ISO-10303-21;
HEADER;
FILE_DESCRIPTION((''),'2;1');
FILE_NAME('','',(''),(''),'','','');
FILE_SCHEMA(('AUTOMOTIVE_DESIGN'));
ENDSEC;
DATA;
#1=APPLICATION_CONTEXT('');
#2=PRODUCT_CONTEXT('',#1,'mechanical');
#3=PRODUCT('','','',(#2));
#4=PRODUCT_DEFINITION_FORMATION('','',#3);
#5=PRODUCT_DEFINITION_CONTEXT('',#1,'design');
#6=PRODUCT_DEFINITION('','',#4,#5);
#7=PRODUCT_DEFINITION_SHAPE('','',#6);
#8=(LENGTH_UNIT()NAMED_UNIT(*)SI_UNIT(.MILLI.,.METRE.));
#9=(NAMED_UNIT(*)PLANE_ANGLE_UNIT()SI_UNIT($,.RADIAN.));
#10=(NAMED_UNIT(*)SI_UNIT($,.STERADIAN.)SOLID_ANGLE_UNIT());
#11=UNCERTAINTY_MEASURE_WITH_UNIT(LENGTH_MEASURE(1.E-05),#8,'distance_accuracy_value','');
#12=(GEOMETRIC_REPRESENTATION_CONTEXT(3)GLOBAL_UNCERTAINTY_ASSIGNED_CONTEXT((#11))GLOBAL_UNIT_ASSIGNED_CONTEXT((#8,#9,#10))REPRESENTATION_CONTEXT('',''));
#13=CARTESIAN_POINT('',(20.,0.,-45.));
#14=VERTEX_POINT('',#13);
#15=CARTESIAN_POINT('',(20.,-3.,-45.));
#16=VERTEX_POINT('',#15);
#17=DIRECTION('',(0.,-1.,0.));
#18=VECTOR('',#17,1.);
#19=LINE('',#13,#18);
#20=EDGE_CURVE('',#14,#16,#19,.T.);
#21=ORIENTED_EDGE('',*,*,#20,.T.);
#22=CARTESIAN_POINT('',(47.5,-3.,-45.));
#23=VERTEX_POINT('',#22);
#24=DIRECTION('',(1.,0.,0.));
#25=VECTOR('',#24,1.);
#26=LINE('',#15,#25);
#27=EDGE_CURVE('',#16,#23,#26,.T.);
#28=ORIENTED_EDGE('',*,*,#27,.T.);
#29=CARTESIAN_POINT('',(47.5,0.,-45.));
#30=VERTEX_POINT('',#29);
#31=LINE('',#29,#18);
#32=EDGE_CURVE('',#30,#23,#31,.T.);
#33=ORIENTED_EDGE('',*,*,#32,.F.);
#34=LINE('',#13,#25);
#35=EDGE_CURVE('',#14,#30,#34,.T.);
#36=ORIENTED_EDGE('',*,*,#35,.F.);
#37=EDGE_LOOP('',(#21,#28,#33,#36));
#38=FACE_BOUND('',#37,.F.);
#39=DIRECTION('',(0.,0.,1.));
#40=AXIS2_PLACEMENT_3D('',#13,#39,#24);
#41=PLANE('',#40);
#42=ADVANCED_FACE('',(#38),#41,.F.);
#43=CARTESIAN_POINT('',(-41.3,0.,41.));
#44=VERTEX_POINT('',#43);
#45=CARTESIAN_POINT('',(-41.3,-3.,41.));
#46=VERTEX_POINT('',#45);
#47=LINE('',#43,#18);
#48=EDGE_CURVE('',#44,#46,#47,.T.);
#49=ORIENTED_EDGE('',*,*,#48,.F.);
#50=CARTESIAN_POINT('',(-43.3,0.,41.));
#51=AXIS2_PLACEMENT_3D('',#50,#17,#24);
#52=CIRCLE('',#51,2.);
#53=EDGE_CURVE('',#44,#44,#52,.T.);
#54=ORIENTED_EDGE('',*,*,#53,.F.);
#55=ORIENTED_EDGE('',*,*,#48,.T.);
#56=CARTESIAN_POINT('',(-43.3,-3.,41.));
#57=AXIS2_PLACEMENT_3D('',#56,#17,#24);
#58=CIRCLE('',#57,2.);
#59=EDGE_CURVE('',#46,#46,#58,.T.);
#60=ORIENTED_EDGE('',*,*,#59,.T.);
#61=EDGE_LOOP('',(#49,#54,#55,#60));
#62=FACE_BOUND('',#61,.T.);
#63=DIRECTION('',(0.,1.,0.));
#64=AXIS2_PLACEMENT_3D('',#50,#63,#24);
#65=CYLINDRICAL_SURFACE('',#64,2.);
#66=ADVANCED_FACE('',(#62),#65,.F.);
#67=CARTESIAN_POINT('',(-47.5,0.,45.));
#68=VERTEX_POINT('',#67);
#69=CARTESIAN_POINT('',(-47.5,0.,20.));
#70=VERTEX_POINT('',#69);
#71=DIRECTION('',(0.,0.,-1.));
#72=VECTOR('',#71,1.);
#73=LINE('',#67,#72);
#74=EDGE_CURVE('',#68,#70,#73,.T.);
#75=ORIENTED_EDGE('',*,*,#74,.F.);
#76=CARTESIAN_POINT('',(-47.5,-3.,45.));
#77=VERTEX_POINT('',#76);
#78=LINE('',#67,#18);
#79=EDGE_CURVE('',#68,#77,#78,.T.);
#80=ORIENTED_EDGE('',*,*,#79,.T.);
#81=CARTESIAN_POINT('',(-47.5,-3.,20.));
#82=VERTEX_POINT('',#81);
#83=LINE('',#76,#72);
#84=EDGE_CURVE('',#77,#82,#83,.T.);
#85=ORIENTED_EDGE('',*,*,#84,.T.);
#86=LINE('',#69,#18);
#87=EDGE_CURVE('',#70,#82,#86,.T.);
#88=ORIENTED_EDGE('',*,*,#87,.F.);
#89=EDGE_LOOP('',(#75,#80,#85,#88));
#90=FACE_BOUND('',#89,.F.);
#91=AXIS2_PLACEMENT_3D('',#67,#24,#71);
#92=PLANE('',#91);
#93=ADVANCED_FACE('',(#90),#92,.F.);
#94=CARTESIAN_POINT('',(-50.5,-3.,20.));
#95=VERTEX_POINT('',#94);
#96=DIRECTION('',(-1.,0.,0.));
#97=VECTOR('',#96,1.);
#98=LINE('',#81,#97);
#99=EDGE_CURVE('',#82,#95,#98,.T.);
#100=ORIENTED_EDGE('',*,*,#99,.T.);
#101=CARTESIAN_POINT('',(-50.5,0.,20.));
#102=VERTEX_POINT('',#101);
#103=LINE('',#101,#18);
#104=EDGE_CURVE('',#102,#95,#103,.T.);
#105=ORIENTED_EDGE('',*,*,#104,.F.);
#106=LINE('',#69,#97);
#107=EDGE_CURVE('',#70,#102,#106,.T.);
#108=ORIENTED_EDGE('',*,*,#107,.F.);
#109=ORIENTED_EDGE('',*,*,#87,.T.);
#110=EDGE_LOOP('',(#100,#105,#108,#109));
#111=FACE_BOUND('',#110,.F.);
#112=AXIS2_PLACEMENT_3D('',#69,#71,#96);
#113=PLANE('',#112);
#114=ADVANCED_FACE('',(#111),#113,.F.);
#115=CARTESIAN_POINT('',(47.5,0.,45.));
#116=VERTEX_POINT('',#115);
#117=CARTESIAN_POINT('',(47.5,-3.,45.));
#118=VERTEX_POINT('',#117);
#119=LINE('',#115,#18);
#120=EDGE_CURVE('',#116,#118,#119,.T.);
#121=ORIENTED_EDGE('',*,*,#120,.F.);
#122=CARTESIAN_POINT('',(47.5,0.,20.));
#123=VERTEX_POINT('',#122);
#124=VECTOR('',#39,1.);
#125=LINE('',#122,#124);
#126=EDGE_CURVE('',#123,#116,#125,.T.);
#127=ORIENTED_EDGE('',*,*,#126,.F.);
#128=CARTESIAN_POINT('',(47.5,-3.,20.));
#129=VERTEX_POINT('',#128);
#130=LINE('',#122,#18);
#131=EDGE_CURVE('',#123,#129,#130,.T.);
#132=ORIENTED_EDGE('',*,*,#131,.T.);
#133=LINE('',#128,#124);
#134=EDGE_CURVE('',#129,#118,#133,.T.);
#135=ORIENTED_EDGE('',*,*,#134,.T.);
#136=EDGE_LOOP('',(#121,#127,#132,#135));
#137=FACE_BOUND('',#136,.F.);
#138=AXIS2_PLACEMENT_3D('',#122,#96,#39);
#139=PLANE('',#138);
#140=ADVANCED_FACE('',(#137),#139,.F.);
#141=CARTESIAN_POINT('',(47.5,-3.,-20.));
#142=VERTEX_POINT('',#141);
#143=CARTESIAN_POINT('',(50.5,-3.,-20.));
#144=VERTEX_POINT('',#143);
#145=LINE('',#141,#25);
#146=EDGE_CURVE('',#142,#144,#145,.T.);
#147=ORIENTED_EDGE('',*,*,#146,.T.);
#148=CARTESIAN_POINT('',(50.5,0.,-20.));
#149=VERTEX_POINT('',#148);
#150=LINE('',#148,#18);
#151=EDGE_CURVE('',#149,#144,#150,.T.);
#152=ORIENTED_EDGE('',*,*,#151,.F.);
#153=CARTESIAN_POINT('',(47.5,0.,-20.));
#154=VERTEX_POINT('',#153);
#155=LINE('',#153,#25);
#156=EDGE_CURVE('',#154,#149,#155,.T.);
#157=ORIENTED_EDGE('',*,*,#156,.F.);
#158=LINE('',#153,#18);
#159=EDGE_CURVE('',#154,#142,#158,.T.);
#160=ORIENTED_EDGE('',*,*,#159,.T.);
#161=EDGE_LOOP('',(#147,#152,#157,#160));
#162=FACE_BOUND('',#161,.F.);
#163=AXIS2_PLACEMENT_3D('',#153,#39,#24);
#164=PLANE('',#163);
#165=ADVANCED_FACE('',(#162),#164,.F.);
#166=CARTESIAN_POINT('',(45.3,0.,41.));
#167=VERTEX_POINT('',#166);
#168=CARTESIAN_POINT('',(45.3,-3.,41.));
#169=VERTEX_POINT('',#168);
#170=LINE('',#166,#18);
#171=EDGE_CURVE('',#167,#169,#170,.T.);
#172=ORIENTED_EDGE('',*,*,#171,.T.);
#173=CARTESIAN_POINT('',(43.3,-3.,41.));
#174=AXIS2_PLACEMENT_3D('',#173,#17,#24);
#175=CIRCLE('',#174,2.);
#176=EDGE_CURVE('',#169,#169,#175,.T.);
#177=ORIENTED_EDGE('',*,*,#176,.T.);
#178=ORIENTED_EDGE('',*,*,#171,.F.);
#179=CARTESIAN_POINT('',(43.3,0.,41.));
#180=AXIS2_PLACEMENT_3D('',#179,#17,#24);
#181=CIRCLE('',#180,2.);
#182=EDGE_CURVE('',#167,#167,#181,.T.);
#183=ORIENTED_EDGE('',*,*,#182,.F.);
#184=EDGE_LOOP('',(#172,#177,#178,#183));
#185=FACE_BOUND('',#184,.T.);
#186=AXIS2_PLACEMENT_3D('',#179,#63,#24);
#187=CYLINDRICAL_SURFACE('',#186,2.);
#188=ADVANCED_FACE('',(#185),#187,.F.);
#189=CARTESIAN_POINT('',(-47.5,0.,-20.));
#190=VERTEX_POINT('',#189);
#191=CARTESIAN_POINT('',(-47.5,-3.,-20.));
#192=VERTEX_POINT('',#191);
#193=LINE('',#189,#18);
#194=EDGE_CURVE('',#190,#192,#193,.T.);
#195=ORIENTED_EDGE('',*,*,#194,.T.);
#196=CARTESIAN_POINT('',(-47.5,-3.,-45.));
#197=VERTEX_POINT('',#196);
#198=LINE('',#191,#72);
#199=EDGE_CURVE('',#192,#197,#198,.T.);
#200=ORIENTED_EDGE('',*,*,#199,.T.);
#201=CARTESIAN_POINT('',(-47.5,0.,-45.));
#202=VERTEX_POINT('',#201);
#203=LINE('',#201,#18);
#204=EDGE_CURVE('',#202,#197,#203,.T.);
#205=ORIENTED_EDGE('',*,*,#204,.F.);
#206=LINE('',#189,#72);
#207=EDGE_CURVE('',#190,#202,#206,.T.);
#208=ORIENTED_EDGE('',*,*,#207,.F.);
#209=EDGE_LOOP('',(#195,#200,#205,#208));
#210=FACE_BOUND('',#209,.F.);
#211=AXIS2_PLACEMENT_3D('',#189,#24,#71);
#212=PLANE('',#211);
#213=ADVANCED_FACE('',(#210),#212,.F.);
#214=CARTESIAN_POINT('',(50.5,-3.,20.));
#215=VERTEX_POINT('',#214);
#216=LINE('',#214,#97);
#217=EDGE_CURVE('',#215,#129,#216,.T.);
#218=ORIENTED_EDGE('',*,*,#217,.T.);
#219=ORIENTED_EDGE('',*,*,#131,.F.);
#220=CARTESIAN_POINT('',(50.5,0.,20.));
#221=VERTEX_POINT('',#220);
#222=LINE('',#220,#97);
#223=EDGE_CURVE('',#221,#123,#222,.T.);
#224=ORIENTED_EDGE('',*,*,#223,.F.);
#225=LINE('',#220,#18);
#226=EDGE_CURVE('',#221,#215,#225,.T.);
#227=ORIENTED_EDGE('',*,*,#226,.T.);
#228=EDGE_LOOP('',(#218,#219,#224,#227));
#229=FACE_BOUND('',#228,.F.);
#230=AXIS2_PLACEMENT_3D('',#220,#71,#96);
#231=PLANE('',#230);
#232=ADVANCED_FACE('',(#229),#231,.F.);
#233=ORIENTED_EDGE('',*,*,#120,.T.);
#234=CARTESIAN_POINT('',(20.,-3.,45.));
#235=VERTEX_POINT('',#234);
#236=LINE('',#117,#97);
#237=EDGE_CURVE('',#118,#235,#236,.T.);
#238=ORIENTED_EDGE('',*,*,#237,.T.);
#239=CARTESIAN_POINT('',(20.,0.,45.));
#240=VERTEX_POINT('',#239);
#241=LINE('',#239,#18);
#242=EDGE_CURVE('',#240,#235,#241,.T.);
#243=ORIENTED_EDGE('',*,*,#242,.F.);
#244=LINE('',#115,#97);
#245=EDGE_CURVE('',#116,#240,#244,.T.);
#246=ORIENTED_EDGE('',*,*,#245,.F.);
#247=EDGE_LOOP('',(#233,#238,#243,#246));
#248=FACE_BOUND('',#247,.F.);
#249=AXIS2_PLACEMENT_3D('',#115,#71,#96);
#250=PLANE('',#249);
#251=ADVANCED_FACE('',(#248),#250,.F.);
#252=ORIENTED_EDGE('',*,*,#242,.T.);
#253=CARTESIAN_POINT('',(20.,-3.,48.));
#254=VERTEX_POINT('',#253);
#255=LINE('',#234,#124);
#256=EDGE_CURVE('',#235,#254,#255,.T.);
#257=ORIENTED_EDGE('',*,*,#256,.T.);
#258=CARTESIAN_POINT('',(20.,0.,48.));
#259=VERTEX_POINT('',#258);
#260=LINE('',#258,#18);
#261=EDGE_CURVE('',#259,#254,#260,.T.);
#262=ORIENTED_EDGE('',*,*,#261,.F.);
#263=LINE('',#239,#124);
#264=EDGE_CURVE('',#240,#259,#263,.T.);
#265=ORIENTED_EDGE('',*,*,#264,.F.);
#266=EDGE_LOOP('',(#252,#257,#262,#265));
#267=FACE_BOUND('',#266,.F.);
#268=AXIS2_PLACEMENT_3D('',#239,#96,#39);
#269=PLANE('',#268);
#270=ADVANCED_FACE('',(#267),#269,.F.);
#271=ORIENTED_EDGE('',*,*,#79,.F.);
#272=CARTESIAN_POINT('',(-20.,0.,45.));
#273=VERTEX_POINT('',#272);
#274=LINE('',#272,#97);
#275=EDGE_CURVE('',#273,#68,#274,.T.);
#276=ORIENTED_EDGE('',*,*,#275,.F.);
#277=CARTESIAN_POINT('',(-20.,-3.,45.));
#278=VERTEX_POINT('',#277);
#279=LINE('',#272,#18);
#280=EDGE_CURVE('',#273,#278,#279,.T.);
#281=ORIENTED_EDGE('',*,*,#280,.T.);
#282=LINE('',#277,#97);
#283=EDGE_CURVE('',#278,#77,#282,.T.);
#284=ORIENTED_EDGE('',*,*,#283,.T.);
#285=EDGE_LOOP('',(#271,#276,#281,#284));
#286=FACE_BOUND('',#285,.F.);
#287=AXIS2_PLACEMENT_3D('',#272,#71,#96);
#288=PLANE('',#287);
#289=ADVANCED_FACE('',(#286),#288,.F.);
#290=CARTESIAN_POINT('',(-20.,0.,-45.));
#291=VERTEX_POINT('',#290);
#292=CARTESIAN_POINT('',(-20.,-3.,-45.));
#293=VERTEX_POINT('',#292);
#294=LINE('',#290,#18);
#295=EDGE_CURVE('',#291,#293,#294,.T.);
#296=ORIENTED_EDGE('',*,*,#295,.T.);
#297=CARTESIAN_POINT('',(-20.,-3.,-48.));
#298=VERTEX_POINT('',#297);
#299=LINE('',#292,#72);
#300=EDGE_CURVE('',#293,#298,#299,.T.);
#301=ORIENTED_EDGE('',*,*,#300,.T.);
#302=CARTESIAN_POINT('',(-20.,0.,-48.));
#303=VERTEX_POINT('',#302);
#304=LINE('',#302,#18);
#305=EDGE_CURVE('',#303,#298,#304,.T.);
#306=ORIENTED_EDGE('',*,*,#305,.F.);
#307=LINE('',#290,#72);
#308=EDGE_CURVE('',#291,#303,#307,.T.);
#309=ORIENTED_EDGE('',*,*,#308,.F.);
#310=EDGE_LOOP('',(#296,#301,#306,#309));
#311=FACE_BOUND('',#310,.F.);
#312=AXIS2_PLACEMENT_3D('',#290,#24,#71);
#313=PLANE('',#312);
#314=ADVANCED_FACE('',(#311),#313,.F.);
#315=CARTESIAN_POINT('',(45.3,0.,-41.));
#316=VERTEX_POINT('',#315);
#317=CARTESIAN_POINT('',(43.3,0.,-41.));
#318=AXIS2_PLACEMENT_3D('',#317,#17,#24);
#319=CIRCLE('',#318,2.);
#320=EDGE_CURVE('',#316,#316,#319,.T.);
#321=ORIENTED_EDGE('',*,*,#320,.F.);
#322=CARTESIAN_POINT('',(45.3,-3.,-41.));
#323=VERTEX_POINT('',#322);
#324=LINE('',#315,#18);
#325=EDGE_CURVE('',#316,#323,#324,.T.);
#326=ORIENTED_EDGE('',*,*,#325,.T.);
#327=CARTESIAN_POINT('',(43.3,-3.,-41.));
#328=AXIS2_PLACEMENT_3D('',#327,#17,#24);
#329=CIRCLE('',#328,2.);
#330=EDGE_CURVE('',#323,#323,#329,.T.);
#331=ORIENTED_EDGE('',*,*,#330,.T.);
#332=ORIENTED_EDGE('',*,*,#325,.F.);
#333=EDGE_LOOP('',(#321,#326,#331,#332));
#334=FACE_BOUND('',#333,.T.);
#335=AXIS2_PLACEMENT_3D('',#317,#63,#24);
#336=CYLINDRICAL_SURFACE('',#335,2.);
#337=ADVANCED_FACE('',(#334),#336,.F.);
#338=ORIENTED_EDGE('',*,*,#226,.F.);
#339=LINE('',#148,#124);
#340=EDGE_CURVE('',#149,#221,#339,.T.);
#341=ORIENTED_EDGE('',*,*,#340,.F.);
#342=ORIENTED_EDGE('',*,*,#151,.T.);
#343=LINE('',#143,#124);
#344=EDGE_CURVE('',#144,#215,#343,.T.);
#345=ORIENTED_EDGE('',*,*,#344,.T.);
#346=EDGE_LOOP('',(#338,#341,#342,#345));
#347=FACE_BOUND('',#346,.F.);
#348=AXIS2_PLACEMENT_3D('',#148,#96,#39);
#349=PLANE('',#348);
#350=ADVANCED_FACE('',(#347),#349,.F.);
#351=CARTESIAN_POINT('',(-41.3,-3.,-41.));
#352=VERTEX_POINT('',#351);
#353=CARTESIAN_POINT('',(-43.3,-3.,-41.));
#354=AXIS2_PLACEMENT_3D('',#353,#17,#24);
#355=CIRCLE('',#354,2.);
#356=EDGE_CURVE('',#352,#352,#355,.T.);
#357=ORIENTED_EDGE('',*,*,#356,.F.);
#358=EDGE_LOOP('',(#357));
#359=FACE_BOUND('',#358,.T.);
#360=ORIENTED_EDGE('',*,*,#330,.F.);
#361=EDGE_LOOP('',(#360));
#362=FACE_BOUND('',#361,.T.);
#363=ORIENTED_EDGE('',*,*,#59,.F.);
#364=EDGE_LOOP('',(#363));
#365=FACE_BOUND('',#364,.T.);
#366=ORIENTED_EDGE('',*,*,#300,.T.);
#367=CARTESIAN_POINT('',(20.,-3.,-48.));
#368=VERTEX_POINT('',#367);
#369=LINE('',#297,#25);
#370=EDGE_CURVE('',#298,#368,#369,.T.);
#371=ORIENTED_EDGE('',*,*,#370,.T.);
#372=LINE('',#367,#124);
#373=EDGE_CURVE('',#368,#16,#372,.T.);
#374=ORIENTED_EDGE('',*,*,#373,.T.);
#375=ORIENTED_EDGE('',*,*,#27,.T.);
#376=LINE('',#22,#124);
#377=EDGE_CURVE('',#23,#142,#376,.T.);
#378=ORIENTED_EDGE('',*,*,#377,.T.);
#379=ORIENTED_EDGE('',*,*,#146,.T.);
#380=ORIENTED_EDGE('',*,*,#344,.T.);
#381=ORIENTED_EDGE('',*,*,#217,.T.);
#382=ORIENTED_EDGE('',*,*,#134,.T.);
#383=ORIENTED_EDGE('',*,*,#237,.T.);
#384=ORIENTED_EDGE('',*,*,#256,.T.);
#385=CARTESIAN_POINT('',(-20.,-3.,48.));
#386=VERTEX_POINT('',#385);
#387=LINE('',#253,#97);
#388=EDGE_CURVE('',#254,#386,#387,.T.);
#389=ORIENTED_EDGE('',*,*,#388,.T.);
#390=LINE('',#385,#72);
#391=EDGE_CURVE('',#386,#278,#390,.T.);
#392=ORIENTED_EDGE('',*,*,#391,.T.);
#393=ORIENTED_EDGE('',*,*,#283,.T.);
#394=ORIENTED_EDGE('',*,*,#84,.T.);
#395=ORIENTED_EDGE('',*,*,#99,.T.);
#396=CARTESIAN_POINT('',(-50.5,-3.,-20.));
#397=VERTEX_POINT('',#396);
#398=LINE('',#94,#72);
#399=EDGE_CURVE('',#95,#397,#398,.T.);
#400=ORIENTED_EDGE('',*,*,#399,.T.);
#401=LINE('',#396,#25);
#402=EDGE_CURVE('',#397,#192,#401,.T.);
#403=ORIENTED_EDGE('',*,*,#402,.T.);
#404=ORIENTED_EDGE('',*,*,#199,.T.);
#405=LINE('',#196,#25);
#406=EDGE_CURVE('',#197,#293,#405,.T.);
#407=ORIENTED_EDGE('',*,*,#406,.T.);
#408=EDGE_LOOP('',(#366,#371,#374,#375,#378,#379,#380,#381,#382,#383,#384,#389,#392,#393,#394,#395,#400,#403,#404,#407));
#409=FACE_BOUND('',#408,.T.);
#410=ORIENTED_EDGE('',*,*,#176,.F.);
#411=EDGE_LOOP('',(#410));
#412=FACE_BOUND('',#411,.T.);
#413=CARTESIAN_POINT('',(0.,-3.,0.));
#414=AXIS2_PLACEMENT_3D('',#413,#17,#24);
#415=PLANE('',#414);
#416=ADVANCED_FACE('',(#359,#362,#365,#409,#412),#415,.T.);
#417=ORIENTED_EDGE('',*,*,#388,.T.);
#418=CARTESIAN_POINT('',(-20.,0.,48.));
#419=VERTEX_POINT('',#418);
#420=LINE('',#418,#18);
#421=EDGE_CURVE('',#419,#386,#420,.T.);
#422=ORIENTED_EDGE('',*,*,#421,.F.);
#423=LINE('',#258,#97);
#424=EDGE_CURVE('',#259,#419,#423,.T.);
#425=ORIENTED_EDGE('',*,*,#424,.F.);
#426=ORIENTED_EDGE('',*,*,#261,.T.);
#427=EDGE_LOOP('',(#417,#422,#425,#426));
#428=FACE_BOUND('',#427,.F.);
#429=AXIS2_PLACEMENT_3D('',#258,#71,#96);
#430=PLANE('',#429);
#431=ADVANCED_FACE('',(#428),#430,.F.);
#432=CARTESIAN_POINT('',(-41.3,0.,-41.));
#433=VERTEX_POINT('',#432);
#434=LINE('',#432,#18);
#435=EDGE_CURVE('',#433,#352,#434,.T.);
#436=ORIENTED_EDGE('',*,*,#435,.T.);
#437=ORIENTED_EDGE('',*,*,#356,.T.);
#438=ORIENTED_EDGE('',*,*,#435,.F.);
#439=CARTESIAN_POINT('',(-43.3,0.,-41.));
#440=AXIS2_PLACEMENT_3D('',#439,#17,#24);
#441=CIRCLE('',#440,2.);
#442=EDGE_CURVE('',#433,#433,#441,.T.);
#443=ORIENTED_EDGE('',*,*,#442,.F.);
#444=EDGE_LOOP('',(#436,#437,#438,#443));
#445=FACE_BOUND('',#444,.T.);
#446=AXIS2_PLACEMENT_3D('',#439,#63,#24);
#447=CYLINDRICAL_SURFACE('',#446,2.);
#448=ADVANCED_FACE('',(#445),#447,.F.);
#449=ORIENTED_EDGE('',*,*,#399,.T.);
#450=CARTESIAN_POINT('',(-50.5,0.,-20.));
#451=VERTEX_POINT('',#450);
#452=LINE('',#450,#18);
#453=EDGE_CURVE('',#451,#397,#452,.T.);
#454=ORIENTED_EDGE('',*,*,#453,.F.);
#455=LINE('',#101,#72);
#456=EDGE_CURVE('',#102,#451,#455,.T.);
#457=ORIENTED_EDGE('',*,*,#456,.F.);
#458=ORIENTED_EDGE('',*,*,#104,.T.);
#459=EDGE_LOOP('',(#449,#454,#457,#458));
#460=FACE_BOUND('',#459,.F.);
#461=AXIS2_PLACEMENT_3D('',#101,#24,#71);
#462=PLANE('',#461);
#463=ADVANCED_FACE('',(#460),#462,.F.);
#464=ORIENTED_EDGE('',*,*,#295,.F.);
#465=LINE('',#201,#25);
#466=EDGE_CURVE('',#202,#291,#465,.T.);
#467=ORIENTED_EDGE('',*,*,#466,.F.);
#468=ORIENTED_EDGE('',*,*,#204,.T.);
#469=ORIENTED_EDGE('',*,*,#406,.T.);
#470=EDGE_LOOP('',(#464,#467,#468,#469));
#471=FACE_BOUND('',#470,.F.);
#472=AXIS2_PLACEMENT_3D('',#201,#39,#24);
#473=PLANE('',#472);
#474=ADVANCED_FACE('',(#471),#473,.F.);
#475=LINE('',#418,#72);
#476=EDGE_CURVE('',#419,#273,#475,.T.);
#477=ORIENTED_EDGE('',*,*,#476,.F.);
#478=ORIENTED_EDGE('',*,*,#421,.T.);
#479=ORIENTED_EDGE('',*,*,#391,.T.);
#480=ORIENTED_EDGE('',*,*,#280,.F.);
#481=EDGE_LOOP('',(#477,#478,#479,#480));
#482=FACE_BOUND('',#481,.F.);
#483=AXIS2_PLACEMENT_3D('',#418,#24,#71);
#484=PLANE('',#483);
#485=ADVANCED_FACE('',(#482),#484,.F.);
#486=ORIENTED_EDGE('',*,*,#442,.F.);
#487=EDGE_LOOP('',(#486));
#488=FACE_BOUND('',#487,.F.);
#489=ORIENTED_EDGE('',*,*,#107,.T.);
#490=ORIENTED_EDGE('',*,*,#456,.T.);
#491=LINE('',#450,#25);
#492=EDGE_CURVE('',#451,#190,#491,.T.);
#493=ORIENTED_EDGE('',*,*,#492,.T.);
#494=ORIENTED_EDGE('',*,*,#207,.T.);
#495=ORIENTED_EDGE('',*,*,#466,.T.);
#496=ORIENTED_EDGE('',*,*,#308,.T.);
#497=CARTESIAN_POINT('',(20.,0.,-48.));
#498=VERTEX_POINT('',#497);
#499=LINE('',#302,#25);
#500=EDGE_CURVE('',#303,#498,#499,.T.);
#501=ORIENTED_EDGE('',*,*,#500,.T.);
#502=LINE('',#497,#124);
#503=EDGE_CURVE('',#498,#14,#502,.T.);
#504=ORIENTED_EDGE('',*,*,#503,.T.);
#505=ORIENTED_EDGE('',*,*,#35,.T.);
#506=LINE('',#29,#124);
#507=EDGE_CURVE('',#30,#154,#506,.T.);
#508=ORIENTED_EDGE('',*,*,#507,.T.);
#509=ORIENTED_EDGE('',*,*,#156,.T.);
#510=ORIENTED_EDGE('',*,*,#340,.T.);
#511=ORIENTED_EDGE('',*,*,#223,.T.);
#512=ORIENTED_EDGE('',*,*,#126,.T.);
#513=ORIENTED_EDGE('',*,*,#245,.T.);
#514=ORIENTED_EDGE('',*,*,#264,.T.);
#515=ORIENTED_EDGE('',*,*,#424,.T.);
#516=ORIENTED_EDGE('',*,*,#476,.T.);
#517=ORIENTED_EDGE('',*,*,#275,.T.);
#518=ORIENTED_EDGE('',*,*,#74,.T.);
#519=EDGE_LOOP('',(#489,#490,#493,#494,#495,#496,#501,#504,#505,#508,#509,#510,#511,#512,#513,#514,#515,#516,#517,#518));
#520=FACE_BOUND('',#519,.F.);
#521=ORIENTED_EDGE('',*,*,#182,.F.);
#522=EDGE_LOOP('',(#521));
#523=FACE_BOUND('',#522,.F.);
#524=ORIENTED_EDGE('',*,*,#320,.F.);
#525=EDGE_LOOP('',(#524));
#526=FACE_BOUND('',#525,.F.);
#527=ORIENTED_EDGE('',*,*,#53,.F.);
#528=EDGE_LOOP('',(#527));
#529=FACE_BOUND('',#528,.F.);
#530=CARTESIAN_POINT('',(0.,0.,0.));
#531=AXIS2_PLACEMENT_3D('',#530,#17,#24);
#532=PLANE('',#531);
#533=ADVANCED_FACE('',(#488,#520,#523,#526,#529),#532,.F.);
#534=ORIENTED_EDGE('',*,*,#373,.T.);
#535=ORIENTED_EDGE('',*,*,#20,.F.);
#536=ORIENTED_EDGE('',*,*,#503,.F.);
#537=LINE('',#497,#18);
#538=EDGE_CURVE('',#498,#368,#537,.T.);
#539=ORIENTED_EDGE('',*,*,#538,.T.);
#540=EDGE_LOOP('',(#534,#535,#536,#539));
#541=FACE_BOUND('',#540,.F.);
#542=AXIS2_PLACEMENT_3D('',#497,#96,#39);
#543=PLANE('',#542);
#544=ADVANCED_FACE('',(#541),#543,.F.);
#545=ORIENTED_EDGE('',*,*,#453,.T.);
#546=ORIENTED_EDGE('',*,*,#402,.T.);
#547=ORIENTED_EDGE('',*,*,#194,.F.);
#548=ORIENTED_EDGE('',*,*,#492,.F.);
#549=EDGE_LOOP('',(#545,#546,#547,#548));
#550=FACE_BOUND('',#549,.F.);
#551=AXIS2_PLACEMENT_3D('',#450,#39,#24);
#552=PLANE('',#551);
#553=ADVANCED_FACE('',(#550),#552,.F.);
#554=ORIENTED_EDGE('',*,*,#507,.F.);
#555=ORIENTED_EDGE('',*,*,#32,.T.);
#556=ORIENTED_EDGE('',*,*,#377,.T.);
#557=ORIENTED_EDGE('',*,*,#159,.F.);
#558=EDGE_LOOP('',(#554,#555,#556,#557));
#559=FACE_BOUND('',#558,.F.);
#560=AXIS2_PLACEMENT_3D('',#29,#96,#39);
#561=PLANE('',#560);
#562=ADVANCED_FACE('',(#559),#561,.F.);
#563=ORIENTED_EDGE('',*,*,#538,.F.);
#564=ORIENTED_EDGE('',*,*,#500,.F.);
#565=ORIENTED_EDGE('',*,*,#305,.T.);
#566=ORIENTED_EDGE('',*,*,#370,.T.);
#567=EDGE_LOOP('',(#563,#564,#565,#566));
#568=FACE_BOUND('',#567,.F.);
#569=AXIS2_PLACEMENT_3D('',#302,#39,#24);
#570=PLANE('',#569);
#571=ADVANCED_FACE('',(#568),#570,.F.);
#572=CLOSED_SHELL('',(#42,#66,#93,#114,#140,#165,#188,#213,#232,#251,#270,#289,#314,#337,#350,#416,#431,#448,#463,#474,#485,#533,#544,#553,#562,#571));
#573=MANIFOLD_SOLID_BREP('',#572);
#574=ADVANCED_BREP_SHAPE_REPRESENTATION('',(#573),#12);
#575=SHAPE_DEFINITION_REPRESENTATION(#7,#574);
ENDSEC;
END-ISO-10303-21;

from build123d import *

# Parameters (mm, degrees)
F0_R     = 2
F1_DEPTH = 3


with BuildPart() as f1:
    # F0 (on Front) → F1 (new body)
    with BuildSketch(Plane.XZ):
        Polygon((-50.5, 20), (-50.5, 0), (-50.5, -20), (-47.5, -20), (-47.5, -45), (-20, -45), (-20, -48), (0, -48), (20, -48), (20, -45), (47.5, -45), (47.5, -20), (50.5, -20), (50.5, 0), (50.5, 20), (47.5, 20), (47.5, 45), (20, 45), (20, 48), (0, 48), (-20, 48), (-20, 45), (-47.5, 45), (-47.5, 20), align=None)
        with Locations((-43.3, -41)):
            Circle(F0_R, mode=Mode.SUBTRACT)
        with Locations((43.3, -41)):
            Circle(F0_R, mode=Mode.SUBTRACT)
        with Locations((-43.3, 41)):
            Circle(F0_R, mode=Mode.SUBTRACT)
        with Locations((43.3, 41)):
            Circle(F0_R, mode=Mode.SUBTRACT)
    extrude(amount=F1_DEPTH)


solid = f1.part
